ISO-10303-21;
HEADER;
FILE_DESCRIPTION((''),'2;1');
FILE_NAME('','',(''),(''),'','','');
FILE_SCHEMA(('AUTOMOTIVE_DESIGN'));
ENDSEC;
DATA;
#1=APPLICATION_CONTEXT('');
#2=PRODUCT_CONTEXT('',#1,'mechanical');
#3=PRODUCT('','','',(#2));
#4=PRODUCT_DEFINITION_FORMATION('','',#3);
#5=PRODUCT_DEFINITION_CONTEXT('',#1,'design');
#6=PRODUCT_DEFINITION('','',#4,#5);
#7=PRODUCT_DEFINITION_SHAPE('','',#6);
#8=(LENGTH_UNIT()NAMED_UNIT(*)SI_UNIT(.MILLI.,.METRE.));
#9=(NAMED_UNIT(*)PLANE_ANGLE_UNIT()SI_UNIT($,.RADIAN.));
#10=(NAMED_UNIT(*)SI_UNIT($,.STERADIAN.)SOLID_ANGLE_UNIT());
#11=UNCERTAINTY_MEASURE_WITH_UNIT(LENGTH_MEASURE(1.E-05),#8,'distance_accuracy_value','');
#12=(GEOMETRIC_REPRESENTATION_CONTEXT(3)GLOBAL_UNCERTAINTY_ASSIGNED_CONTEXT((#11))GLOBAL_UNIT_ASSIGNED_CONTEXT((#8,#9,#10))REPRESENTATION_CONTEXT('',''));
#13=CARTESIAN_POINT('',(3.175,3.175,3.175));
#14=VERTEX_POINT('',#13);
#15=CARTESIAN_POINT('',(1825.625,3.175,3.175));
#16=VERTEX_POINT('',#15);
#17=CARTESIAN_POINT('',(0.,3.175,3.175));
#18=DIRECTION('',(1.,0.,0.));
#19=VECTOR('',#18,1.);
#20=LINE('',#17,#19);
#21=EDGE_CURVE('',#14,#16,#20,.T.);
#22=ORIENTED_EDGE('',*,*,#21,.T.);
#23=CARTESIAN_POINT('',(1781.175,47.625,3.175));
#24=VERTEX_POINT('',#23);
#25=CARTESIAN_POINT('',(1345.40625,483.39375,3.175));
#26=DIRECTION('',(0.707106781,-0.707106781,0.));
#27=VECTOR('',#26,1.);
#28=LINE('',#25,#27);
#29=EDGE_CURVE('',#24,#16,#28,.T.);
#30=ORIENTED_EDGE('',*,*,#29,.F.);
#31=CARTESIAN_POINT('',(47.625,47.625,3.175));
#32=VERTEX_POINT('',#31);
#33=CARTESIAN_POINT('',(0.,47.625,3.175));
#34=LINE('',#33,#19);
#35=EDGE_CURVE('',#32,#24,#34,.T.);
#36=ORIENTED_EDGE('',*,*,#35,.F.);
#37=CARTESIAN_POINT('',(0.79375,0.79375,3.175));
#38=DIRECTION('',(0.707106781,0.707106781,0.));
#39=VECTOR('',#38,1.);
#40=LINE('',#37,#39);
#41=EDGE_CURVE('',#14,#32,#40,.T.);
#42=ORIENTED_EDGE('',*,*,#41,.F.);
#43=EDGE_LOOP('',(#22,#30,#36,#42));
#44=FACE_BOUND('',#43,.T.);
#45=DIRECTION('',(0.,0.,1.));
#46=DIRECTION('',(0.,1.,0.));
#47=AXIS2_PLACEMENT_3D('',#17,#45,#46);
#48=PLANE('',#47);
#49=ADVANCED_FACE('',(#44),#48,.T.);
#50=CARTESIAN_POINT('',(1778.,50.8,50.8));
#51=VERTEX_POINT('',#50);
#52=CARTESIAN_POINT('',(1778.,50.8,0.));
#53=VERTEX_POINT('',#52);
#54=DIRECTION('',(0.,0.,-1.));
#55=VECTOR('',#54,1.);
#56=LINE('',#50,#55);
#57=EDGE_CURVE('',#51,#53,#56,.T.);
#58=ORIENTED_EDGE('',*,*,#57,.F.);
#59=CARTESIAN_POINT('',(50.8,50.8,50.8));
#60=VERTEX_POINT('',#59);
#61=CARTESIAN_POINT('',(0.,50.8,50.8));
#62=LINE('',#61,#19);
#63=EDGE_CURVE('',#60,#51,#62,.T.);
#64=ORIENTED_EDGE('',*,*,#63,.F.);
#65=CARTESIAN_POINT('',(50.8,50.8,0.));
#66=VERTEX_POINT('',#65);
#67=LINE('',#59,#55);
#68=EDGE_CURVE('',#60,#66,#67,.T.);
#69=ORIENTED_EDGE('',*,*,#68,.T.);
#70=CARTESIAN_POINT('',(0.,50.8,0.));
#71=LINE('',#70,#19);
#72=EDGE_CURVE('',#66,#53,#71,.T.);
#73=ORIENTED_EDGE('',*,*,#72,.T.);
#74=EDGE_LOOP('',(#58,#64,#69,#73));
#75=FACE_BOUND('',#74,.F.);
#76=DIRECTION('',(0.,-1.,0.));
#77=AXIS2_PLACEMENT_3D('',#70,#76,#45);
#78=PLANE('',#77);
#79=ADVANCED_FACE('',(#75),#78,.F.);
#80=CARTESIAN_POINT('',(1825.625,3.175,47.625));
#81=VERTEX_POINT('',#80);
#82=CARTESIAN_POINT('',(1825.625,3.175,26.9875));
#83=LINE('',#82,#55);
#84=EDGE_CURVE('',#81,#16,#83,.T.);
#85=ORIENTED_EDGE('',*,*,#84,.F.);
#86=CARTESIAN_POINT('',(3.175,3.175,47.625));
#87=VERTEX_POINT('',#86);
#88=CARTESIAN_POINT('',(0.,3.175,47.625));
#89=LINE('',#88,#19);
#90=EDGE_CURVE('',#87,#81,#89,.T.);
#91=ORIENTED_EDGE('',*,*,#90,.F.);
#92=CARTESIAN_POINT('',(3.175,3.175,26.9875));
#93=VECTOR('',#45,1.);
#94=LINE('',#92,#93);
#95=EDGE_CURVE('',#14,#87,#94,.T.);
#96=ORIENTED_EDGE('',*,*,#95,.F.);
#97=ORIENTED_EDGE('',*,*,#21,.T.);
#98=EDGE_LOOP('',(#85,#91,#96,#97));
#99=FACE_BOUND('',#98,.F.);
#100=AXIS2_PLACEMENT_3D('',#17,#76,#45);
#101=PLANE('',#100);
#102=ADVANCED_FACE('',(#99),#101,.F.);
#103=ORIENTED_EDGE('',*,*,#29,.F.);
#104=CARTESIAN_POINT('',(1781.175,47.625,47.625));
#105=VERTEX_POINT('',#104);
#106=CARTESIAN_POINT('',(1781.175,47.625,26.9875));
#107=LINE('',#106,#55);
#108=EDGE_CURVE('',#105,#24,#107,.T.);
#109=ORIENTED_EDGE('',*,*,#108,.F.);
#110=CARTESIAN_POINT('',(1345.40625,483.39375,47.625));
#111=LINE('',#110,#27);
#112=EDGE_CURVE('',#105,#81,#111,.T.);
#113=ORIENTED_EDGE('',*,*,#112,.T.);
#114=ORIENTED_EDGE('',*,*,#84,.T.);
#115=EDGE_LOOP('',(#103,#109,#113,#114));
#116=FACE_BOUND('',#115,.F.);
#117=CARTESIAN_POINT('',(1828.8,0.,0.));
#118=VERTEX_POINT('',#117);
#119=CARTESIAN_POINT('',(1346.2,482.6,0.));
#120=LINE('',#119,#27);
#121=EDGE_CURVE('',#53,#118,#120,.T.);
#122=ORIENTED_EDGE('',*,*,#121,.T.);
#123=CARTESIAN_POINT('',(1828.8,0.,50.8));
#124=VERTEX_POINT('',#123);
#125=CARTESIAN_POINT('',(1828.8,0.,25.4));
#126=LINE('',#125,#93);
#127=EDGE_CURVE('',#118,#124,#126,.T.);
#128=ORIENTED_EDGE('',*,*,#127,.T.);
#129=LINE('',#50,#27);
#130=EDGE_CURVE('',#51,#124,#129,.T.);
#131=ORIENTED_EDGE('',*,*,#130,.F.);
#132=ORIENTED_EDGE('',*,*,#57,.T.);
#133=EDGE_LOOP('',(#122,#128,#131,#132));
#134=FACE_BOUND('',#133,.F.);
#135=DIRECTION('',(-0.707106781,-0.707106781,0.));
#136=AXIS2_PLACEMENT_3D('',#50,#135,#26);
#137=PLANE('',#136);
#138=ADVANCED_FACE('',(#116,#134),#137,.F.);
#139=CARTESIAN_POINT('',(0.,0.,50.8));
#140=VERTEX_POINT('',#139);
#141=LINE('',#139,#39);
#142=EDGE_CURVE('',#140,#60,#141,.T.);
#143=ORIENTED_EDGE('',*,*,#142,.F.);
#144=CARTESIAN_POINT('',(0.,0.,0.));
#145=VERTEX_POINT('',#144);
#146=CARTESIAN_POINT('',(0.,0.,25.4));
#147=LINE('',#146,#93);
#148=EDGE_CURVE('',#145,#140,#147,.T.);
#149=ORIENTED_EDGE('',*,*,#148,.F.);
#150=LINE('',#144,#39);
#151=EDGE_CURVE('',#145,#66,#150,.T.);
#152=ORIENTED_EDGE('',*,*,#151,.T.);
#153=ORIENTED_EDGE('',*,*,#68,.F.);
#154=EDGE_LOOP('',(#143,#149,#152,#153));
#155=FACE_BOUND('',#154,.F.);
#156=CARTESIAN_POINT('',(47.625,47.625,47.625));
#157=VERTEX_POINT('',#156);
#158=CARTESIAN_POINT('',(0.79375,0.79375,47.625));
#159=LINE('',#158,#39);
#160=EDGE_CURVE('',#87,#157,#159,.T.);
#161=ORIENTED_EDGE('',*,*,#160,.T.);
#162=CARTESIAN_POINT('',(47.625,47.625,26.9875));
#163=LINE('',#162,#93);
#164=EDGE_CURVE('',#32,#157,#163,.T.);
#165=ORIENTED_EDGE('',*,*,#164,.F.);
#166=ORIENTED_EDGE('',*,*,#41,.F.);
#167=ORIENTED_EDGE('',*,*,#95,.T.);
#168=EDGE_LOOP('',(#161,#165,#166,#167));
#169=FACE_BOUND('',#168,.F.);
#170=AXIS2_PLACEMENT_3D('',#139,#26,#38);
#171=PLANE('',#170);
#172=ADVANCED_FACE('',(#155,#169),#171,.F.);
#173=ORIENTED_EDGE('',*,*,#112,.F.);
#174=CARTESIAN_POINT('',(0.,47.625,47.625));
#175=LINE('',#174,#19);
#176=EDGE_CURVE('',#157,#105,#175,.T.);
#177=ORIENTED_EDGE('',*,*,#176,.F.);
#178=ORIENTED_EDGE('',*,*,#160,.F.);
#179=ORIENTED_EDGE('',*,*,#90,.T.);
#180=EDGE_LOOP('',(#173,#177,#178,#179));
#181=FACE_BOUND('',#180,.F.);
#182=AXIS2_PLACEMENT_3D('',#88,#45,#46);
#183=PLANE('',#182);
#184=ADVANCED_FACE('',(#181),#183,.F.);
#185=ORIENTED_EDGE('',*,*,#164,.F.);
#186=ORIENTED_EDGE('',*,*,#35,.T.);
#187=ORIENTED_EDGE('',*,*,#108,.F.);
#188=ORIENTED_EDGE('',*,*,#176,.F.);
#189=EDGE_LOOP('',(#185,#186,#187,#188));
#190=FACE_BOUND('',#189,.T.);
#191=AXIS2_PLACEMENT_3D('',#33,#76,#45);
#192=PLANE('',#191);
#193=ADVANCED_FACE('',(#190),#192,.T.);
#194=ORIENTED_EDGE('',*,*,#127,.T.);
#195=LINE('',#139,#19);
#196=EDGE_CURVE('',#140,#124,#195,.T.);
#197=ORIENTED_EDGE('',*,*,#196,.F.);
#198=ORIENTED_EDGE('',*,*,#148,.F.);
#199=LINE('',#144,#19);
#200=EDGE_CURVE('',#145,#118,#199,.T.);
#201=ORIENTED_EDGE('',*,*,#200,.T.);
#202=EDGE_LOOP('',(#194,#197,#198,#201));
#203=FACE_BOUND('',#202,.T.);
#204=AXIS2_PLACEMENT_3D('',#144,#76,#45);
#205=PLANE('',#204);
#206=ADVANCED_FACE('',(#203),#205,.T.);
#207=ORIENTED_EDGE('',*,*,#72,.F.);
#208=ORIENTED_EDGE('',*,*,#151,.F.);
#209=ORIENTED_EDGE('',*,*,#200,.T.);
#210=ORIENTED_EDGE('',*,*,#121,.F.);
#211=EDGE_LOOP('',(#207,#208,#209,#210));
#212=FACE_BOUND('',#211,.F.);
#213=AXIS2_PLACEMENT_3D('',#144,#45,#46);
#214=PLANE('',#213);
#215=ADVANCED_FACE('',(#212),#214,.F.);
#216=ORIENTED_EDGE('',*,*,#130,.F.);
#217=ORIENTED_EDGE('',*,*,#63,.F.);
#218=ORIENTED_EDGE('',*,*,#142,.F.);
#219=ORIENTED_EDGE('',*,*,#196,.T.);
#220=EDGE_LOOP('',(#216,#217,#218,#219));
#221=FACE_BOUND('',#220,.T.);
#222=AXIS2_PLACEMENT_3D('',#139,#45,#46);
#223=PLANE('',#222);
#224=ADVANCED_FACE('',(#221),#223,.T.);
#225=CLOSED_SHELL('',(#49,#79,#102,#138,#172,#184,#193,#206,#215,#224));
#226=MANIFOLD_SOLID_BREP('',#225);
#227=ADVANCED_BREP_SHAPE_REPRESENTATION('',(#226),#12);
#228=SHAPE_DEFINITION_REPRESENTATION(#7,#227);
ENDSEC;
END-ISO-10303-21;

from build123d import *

# Parameters (mm, degrees)
F0_W     = 50.8
F0_H     = 50.8
F0_W_2   = 44.45
F0_H_2   = 44.45
F1_DEPTH = 1828.8
F3_DEPTH = 50.801


with BuildPart() as f1:
    # F0 (on Right) → F1 (new body)
    with BuildSketch(Plane.YZ):
        with Locations((25.4, 25.4)):
            Rectangle(F0_W, F0_H)
        with Locations((25.4, 25.4)):
            Rectangle(F0_W_2, F0_H_2, mode=Mode.SUBTRACT)
    extrude(amount=F1_DEPTH)

    # F2 (on face) → F3 (cut, through all)
    with BuildSketch(Plane.XY.offset(50.8)):
        Polygon((0, 50.8), (0, 0), (50.8, 50.8), align=None)
        Polygon((1778, 50.8), (1828.8, 0), (1828.8, 50.8), align=None)
    extrude(amount=-F3_DEPTH, mode=Mode.SUBTRACT)


solid = f1.part
